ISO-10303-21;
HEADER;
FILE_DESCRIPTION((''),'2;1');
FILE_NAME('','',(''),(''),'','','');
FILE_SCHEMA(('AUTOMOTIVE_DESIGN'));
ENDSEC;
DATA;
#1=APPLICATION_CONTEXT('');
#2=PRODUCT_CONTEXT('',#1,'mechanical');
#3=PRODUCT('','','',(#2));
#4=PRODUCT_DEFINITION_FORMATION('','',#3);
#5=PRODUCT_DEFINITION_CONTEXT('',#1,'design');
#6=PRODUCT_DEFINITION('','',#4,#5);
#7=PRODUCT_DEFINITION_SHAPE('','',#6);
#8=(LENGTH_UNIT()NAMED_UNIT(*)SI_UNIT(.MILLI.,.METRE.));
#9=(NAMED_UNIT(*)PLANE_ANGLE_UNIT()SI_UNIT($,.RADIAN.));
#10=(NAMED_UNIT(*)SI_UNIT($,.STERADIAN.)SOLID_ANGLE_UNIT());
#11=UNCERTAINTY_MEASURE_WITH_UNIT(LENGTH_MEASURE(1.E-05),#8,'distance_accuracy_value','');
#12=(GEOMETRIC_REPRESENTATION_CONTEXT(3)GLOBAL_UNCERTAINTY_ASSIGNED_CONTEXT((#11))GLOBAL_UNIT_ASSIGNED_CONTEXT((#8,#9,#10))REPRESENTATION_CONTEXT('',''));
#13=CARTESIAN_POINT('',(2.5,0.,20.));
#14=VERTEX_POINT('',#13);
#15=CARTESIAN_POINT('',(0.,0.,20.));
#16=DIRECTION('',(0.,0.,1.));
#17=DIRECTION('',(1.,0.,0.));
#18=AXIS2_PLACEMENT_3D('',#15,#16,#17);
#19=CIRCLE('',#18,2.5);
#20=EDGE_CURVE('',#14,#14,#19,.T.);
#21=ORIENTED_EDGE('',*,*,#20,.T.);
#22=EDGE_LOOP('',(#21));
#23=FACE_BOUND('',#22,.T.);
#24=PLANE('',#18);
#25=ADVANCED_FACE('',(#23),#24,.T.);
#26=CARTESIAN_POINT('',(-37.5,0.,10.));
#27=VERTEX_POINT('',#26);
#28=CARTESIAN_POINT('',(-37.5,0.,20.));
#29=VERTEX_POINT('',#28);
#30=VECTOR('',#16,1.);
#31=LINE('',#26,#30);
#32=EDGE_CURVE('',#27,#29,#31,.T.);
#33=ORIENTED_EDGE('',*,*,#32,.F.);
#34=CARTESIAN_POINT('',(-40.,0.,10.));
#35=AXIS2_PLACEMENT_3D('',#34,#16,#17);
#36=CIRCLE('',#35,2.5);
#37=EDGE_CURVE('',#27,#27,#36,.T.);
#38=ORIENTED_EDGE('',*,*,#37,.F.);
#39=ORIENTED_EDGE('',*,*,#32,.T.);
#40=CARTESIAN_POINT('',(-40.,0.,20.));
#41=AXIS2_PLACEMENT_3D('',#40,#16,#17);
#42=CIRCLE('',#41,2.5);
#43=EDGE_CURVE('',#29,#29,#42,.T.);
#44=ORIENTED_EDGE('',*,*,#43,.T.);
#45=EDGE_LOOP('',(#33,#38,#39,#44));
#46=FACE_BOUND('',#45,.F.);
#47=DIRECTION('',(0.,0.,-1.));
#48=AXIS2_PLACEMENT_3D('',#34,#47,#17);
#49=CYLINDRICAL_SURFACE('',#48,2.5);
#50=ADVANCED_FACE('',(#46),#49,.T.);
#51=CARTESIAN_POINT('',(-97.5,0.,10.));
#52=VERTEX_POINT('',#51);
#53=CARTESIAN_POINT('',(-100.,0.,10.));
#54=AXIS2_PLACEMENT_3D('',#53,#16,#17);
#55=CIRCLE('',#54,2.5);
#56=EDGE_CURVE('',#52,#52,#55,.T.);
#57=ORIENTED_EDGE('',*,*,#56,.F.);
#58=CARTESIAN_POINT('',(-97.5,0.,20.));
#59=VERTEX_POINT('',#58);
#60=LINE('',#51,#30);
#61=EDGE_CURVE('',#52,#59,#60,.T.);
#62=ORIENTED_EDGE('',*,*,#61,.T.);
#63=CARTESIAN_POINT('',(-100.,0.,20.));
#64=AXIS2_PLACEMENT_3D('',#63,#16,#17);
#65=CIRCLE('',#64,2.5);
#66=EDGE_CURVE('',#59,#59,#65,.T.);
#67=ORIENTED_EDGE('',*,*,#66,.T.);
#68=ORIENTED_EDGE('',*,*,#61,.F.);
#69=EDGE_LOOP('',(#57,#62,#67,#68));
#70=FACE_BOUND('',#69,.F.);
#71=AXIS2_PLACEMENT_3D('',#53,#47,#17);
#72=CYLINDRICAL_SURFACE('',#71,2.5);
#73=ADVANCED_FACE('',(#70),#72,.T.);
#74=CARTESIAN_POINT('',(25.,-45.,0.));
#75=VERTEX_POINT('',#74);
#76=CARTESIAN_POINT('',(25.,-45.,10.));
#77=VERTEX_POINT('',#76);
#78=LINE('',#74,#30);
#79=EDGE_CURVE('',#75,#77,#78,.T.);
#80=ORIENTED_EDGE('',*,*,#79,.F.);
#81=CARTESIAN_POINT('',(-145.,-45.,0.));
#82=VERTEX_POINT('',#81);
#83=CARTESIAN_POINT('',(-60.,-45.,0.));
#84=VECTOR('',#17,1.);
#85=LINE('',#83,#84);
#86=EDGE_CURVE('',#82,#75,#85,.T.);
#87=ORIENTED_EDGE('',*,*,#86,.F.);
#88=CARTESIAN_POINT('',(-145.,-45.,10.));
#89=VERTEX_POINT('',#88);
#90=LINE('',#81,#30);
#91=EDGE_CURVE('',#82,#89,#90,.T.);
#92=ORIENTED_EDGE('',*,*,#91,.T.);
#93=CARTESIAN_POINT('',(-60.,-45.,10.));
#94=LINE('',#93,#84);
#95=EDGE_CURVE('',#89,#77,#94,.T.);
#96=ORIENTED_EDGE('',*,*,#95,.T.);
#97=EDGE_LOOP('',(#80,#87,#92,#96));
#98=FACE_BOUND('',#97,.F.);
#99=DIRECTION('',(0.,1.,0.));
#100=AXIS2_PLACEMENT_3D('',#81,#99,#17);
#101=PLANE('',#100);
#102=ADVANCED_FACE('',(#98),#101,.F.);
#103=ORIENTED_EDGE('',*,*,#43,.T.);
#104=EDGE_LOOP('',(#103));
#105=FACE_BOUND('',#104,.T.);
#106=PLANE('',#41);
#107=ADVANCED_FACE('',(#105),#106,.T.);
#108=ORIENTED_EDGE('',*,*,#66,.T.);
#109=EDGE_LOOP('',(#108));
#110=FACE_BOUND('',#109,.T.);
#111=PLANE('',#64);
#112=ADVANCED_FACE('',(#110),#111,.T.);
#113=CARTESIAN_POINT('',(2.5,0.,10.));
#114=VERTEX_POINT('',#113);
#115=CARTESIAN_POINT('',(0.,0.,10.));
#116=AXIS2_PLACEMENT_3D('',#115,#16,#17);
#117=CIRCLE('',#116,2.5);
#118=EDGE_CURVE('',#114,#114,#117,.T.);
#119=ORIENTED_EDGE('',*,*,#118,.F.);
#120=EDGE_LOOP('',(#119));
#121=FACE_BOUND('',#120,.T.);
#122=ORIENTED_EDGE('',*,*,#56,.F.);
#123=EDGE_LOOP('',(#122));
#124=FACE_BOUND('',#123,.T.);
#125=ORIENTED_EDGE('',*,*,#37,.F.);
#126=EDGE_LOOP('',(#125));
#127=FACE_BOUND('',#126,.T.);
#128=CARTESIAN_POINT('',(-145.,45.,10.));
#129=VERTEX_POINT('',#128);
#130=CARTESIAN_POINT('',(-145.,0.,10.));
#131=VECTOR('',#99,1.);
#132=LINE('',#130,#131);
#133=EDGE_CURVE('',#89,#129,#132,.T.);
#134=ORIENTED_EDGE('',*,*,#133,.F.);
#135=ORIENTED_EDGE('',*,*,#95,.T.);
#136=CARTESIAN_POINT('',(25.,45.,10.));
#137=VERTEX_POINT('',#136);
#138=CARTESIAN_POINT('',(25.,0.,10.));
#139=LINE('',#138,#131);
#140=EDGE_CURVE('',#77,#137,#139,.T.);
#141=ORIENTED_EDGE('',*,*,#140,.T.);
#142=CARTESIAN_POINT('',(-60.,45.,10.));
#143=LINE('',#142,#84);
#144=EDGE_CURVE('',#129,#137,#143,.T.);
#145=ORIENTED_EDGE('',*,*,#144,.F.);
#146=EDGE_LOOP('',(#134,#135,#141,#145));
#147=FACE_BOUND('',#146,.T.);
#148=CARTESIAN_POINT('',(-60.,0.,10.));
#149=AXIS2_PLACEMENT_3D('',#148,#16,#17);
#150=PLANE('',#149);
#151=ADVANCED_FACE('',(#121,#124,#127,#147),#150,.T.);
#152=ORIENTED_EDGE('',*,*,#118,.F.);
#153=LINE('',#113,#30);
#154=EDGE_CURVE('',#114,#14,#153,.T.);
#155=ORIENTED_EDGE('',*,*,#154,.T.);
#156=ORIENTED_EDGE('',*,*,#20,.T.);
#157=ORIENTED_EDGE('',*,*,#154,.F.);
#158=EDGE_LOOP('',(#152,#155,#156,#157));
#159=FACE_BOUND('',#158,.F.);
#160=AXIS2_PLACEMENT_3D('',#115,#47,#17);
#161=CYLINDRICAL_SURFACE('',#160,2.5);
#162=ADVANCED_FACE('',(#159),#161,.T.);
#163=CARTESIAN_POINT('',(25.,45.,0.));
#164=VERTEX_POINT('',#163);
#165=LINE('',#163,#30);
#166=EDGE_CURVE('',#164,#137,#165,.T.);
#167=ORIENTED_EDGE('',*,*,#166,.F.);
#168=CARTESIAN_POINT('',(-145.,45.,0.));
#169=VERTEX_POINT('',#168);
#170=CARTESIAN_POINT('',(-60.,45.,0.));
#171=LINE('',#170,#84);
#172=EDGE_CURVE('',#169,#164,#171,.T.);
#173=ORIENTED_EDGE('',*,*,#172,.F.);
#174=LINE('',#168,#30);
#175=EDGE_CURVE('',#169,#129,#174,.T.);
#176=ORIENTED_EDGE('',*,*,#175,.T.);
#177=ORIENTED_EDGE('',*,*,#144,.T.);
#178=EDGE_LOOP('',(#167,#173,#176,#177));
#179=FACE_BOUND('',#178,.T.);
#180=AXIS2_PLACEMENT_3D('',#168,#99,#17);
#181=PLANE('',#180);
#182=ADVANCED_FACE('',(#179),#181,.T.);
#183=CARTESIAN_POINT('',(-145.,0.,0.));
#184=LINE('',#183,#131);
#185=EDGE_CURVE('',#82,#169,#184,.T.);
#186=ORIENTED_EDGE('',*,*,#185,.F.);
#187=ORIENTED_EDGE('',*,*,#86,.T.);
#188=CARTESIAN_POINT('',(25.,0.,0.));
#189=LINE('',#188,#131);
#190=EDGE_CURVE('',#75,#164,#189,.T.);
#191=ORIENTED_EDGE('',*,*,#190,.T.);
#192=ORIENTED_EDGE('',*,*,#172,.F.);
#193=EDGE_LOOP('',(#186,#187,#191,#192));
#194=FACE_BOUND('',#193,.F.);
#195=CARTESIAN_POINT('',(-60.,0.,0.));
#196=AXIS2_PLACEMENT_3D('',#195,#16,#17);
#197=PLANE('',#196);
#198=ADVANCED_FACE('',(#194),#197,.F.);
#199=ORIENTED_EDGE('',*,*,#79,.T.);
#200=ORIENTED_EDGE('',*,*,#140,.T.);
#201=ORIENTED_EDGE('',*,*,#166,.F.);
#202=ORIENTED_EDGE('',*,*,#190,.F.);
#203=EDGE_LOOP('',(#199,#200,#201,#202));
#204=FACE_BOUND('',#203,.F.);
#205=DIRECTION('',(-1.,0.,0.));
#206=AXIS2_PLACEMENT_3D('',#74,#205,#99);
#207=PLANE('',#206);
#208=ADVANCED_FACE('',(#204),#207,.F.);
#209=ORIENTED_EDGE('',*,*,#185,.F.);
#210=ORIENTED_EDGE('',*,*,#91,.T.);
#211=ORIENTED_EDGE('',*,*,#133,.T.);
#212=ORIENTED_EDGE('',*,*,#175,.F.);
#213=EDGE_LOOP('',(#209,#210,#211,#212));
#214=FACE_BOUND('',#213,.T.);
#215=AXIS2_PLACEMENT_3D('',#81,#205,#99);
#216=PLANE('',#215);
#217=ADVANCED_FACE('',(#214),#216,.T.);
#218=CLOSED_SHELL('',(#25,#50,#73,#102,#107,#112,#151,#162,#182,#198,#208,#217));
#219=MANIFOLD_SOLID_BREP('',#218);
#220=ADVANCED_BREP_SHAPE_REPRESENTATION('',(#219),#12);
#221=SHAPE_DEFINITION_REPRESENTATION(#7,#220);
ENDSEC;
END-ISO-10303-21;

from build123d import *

# Parameters (mm, degrees)
SKETCH_W     = 170
SKETCH_H     = 90
PAD_DEPTH    = 10
SKETCH001_R  = 2.5
PAD001_DEPTH = 10


with BuildPart() as part:
    # Sketch → Pad (new body)
    with BuildSketch(Plane.XY):
        with Locations((-60, 0)):
            Rectangle(SKETCH_W, SKETCH_H)
    extrude(amount=PAD_DEPTH)

    # Sketch001 (on Face6 of Pad) → Pad001 (join)
    with BuildSketch(Plane.XY.offset(10)):
        with Locations((-40, 0)):
            Circle(SKETCH001_R)
        Circle(SKETCH001_R)
        with Locations((-100, 0)):
            Circle(SKETCH001_R)
    extrude(amount=PAD001_DEPTH)


solid = part.part
